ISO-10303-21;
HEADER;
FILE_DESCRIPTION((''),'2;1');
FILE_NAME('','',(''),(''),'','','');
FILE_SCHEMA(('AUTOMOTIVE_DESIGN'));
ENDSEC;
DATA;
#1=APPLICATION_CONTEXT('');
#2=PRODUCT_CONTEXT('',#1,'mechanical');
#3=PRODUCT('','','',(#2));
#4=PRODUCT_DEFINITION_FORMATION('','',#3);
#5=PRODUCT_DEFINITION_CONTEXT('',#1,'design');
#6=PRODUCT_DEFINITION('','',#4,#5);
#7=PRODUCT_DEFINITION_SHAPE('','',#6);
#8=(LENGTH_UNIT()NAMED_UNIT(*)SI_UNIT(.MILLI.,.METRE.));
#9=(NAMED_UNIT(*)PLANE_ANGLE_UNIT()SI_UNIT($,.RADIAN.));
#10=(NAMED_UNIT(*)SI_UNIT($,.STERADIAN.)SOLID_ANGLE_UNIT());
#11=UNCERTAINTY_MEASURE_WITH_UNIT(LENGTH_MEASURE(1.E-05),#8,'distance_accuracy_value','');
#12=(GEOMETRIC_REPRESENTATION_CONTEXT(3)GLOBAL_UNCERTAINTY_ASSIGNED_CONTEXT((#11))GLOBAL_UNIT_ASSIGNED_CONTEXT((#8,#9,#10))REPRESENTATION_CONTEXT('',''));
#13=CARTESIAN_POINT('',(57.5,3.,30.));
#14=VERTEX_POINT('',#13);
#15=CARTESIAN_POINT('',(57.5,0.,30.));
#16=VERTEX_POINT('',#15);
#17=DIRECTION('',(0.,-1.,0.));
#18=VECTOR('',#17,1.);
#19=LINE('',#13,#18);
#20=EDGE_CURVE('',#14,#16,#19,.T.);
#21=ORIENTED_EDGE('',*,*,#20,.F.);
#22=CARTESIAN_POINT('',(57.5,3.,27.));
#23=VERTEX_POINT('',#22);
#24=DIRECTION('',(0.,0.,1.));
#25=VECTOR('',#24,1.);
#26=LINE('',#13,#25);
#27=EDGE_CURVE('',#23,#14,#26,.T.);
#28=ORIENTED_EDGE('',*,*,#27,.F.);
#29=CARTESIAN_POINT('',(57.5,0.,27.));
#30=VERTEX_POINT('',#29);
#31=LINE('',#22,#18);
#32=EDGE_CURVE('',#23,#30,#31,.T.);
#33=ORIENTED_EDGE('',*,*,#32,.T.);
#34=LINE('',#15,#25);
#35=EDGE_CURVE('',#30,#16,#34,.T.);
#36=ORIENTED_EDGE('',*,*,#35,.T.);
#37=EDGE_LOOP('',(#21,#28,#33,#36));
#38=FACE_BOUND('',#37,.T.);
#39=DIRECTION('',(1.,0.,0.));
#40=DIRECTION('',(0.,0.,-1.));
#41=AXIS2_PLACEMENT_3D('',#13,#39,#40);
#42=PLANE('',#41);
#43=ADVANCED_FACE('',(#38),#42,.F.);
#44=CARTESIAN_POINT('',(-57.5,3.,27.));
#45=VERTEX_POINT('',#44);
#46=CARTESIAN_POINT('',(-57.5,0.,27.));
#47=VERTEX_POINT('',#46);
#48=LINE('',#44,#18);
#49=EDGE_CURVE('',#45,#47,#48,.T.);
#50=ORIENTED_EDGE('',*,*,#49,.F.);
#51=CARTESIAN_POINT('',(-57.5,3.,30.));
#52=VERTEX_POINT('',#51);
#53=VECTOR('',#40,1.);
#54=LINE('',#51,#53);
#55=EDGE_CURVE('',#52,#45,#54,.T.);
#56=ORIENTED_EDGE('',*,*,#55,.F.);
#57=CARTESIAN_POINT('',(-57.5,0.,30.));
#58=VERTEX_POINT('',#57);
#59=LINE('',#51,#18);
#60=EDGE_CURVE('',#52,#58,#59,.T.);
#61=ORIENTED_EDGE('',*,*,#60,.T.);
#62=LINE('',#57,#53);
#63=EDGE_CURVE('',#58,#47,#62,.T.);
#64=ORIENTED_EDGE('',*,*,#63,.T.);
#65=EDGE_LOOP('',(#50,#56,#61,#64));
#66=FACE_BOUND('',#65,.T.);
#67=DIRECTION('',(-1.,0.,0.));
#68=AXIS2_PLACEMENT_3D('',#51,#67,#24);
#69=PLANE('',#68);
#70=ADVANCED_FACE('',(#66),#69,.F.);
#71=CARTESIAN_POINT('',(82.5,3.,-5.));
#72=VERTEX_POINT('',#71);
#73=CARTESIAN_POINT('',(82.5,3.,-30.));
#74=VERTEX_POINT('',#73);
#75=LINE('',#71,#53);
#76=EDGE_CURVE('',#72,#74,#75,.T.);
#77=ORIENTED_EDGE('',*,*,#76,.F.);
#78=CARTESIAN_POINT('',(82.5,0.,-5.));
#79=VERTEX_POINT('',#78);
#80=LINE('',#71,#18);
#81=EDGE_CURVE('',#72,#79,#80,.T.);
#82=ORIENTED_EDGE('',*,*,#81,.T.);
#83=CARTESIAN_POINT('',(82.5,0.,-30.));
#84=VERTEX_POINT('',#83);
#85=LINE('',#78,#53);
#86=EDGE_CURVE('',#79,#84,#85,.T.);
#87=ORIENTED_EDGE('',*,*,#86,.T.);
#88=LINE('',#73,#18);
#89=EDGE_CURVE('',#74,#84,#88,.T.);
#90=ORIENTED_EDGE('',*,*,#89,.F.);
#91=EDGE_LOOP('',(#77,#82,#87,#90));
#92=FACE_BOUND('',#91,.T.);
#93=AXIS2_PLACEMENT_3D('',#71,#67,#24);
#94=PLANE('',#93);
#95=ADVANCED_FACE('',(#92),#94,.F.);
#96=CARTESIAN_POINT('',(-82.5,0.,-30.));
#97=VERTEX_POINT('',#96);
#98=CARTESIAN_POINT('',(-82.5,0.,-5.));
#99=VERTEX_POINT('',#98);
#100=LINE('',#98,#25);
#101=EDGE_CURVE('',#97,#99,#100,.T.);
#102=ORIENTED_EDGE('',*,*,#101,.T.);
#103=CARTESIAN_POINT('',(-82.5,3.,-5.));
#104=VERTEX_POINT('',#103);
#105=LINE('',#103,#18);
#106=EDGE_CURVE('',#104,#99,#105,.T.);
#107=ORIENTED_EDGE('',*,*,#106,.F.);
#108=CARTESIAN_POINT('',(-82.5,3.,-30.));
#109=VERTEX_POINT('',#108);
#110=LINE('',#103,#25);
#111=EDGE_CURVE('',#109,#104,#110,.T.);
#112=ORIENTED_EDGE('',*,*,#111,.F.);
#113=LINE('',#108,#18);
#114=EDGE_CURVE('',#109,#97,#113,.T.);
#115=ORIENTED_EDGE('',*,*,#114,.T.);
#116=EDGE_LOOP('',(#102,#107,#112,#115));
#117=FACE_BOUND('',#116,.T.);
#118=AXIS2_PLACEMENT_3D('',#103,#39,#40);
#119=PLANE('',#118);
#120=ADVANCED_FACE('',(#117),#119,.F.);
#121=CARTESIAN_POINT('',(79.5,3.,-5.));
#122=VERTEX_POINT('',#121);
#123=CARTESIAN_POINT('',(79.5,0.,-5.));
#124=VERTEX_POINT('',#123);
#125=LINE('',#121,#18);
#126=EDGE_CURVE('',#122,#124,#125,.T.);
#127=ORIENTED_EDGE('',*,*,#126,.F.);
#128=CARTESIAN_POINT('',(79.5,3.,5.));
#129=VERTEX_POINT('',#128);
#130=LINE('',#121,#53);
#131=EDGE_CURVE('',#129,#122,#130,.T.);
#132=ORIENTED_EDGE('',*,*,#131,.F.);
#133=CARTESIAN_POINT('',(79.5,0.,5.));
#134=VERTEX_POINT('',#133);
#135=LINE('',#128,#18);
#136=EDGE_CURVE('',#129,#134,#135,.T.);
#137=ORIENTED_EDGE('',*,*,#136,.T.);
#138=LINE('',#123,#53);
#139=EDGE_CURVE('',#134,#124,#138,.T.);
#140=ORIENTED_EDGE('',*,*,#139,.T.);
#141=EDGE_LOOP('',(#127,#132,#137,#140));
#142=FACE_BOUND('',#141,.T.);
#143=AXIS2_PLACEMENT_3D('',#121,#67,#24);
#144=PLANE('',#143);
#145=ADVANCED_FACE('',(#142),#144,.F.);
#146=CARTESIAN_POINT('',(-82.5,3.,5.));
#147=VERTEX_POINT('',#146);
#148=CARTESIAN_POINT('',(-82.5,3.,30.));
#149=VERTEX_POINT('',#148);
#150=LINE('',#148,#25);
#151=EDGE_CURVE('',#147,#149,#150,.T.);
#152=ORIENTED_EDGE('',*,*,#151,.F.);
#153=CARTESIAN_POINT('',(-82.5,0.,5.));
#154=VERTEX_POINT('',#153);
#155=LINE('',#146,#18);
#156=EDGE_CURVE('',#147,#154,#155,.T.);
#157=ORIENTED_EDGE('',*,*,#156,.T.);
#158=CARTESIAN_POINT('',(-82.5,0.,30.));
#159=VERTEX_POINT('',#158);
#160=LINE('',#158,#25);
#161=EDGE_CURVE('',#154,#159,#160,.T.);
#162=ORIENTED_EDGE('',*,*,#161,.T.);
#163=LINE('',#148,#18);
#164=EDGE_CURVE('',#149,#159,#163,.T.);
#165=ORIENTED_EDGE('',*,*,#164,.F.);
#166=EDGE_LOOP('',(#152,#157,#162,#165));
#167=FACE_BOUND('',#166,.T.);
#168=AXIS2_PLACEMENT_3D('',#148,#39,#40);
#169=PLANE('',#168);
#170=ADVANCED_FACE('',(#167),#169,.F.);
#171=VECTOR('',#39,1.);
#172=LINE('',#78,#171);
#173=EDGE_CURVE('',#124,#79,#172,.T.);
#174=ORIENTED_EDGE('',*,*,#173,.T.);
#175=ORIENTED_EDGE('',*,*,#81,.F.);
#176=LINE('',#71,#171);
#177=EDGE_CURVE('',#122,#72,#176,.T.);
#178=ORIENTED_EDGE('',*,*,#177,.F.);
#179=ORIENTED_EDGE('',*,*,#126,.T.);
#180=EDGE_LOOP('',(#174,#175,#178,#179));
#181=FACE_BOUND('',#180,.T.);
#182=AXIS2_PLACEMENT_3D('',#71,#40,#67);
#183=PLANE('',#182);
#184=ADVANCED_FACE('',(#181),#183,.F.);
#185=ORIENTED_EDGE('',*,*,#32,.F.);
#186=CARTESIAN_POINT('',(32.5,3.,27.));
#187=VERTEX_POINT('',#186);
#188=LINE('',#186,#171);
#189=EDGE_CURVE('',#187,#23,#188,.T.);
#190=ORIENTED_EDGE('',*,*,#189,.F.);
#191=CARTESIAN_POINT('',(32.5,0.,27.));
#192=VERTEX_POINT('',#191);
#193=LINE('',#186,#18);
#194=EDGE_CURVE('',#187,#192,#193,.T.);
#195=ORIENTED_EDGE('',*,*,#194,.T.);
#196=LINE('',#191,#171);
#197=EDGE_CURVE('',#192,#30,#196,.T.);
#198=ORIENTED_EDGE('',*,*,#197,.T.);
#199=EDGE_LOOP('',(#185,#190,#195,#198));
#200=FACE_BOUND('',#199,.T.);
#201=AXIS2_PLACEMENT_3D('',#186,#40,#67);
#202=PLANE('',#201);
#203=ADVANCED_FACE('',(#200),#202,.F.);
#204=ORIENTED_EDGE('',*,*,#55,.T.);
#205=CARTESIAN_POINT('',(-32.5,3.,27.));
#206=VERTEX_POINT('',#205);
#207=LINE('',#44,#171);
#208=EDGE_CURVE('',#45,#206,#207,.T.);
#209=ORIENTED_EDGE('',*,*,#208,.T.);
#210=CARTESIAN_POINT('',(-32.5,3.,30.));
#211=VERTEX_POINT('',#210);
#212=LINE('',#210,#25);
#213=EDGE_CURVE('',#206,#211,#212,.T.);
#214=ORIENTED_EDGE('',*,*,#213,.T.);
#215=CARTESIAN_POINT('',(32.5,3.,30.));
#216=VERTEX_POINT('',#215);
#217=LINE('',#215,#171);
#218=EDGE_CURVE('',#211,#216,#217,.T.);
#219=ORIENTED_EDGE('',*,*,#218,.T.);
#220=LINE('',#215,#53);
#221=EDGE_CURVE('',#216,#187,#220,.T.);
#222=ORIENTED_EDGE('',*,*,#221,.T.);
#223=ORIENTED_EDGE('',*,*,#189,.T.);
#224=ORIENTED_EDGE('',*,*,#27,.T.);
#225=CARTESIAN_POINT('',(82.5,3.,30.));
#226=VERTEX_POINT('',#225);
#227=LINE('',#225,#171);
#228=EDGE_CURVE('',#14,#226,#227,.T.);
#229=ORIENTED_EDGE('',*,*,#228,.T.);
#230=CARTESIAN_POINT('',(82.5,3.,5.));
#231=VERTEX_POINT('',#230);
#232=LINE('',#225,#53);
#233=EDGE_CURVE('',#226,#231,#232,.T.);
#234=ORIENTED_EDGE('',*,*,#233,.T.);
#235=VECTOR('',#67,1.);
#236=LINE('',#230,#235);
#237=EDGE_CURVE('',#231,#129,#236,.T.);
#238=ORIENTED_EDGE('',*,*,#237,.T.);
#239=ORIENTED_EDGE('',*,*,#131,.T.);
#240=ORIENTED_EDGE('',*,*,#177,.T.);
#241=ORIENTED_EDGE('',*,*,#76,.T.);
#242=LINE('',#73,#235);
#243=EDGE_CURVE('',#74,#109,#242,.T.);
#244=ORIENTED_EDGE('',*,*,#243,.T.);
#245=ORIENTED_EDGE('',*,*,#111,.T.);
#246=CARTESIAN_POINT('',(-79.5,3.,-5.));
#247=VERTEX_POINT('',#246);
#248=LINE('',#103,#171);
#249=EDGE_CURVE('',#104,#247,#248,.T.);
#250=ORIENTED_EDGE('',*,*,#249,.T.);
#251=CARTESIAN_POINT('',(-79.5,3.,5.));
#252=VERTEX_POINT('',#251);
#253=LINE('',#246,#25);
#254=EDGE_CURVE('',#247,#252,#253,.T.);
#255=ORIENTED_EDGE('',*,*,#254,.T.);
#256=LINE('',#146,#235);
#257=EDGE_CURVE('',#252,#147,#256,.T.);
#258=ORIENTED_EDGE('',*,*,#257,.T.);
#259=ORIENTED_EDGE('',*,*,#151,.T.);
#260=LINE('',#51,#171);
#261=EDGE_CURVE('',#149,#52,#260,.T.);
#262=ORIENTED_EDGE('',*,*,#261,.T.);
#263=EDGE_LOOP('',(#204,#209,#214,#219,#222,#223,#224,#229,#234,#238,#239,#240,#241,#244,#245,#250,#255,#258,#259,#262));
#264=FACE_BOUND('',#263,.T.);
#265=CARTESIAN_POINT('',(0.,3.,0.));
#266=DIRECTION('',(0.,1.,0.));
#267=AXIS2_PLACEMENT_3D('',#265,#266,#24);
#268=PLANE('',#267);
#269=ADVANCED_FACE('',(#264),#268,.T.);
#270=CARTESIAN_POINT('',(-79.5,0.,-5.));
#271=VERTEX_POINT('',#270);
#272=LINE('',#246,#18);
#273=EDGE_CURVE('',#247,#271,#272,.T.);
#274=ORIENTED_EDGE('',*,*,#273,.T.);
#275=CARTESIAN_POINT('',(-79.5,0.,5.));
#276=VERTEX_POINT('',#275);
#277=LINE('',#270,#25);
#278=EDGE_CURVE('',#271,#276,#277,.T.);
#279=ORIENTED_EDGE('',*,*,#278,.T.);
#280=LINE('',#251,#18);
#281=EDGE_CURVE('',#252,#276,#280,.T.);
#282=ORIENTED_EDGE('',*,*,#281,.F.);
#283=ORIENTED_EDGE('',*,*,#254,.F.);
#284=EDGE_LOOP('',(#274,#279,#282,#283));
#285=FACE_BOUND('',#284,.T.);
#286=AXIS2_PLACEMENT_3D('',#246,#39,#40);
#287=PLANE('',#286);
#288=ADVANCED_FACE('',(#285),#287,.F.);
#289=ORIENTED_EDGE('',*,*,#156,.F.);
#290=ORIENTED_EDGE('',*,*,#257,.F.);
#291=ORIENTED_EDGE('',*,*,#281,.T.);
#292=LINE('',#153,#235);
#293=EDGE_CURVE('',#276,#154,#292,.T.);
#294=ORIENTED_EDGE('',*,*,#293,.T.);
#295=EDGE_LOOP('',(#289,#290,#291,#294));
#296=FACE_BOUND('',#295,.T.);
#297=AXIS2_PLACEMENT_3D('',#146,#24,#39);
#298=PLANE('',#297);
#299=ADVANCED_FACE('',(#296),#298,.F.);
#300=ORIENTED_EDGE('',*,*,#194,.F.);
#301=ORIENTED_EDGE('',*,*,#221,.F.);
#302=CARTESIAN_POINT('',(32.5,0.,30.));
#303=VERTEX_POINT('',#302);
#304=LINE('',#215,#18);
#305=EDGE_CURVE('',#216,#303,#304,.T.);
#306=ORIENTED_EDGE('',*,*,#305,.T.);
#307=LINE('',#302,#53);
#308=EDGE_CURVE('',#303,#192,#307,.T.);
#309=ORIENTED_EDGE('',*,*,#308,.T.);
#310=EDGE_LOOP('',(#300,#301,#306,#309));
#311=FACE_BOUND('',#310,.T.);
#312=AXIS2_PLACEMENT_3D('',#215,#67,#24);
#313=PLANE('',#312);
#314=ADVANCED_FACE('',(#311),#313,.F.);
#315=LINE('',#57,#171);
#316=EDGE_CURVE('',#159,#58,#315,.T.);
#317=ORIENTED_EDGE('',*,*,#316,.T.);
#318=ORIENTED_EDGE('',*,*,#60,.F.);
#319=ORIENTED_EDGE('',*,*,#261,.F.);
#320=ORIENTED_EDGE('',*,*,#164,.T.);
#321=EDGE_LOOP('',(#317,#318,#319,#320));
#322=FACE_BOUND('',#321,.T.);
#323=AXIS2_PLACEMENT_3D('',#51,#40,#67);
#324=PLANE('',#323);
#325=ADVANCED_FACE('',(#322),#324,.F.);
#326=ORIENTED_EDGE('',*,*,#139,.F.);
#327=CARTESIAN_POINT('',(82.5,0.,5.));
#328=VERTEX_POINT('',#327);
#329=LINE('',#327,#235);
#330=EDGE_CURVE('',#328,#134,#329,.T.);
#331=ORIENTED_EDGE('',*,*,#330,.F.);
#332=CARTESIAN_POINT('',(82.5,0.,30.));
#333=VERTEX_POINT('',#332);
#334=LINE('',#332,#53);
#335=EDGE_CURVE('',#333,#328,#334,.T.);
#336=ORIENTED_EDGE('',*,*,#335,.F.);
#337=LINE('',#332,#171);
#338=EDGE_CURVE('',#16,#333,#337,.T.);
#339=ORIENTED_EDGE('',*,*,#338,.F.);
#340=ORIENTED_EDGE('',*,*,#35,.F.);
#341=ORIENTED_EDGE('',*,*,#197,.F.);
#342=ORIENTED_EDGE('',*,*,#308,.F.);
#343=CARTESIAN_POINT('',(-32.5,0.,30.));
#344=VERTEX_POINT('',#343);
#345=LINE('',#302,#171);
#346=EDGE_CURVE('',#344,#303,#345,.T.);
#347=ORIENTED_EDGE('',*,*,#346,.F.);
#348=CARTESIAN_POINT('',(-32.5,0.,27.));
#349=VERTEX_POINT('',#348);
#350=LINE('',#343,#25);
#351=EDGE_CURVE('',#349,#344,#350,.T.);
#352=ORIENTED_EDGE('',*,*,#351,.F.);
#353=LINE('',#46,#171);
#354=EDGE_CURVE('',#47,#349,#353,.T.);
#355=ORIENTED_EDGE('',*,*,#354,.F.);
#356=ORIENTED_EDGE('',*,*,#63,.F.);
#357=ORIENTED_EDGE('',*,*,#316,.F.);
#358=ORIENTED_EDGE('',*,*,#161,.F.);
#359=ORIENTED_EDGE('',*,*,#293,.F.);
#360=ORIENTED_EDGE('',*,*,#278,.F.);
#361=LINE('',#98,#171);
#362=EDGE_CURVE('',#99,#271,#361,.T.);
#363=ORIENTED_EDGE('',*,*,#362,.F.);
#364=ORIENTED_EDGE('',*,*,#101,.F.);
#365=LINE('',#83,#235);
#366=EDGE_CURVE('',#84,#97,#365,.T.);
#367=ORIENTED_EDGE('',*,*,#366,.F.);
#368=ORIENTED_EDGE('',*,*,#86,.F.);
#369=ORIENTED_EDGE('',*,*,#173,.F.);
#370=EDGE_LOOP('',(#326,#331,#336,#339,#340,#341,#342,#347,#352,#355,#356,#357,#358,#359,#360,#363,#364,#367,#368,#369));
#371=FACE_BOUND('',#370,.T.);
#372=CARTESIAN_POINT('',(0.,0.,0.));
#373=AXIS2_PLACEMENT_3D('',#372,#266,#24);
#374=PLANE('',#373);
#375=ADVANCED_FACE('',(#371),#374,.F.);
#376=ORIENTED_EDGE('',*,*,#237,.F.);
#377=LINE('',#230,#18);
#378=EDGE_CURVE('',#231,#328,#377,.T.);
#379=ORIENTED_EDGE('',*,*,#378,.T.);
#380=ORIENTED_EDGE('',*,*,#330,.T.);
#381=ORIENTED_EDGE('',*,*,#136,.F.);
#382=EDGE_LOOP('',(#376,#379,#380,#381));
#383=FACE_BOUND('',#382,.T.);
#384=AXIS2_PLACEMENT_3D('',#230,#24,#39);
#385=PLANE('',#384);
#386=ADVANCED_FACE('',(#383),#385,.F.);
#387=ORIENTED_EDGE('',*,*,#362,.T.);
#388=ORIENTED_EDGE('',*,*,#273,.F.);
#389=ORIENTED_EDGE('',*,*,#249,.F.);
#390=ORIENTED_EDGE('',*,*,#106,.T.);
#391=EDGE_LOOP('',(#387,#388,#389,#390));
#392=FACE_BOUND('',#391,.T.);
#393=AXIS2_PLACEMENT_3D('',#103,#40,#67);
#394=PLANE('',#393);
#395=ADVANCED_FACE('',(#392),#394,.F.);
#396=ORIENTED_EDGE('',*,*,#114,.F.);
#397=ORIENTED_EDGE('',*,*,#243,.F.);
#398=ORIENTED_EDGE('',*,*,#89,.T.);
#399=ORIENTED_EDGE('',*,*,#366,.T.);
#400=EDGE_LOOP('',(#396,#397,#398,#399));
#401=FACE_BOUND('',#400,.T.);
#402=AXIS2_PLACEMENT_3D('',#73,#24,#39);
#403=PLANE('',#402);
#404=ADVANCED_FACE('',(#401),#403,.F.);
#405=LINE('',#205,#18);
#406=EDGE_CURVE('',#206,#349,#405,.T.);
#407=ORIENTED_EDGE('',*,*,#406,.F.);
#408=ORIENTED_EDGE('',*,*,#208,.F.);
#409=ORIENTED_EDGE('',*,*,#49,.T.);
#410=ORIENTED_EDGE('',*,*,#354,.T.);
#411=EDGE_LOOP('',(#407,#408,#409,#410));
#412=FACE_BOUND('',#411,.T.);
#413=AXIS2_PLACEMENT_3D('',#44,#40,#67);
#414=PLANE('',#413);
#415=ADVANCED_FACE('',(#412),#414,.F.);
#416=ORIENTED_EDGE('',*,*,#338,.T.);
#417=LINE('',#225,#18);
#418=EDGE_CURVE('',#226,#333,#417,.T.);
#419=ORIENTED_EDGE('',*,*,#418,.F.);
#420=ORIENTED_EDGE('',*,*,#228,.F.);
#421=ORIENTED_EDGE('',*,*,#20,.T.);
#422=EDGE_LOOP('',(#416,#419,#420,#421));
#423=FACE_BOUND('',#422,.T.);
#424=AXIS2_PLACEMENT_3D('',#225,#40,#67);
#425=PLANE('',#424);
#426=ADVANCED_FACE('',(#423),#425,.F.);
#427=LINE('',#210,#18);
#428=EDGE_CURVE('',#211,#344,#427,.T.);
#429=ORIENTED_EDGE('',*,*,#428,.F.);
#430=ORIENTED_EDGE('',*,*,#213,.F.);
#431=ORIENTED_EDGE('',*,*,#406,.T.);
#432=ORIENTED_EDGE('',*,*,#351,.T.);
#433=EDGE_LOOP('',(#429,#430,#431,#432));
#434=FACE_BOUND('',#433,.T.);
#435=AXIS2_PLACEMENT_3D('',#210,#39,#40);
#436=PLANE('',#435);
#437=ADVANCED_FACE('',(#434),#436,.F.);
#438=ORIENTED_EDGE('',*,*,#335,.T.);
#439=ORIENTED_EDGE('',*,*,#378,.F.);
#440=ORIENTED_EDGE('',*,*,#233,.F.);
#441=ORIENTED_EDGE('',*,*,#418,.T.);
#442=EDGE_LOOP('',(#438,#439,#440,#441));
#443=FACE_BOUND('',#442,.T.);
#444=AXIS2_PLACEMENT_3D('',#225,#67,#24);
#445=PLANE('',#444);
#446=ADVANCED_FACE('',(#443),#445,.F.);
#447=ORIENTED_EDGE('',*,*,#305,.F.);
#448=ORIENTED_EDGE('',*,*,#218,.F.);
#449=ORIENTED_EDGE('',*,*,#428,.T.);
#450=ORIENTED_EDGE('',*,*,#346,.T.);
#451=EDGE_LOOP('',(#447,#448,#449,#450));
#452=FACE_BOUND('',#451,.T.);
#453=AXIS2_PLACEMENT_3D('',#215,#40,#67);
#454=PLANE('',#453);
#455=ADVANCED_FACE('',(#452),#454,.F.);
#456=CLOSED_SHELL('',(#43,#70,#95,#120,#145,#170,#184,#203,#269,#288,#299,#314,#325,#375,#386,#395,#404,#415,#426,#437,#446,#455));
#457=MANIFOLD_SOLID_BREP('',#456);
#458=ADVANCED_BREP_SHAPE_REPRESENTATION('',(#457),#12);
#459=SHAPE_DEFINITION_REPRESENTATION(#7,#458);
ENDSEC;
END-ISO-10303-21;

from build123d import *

# Parameters (mm, degrees)
BOSS_EXTRUDE2_DEPTH = 3


with BuildPart() as part:
    # Sketch1 → Boss-Extrude2 (new body)
    with BuildSketch(Plane(origin=(0, 0, 0), x_dir=(1, 0, 0), z_dir=(0, 1, 0))):
        Polygon((82.5, -30), (57.5, -30), (57.5, -27), (32.5, -27), (32.5, -30), (-32.5, -30), (-32.5, -27), (-57.5, -27), (-57.5, -30), (-82.5, -30), (-82.5, -5), (-79.5, -5), (-79.5, 5), (-82.5, 5), (-82.5, 30), (82.5, 30), (82.5, 5), (79.5, 5), (79.5, -5), (82.5, -5), align=None)
    extrude(amount=BOSS_EXTRUDE2_DEPTH)


solid = part.part
